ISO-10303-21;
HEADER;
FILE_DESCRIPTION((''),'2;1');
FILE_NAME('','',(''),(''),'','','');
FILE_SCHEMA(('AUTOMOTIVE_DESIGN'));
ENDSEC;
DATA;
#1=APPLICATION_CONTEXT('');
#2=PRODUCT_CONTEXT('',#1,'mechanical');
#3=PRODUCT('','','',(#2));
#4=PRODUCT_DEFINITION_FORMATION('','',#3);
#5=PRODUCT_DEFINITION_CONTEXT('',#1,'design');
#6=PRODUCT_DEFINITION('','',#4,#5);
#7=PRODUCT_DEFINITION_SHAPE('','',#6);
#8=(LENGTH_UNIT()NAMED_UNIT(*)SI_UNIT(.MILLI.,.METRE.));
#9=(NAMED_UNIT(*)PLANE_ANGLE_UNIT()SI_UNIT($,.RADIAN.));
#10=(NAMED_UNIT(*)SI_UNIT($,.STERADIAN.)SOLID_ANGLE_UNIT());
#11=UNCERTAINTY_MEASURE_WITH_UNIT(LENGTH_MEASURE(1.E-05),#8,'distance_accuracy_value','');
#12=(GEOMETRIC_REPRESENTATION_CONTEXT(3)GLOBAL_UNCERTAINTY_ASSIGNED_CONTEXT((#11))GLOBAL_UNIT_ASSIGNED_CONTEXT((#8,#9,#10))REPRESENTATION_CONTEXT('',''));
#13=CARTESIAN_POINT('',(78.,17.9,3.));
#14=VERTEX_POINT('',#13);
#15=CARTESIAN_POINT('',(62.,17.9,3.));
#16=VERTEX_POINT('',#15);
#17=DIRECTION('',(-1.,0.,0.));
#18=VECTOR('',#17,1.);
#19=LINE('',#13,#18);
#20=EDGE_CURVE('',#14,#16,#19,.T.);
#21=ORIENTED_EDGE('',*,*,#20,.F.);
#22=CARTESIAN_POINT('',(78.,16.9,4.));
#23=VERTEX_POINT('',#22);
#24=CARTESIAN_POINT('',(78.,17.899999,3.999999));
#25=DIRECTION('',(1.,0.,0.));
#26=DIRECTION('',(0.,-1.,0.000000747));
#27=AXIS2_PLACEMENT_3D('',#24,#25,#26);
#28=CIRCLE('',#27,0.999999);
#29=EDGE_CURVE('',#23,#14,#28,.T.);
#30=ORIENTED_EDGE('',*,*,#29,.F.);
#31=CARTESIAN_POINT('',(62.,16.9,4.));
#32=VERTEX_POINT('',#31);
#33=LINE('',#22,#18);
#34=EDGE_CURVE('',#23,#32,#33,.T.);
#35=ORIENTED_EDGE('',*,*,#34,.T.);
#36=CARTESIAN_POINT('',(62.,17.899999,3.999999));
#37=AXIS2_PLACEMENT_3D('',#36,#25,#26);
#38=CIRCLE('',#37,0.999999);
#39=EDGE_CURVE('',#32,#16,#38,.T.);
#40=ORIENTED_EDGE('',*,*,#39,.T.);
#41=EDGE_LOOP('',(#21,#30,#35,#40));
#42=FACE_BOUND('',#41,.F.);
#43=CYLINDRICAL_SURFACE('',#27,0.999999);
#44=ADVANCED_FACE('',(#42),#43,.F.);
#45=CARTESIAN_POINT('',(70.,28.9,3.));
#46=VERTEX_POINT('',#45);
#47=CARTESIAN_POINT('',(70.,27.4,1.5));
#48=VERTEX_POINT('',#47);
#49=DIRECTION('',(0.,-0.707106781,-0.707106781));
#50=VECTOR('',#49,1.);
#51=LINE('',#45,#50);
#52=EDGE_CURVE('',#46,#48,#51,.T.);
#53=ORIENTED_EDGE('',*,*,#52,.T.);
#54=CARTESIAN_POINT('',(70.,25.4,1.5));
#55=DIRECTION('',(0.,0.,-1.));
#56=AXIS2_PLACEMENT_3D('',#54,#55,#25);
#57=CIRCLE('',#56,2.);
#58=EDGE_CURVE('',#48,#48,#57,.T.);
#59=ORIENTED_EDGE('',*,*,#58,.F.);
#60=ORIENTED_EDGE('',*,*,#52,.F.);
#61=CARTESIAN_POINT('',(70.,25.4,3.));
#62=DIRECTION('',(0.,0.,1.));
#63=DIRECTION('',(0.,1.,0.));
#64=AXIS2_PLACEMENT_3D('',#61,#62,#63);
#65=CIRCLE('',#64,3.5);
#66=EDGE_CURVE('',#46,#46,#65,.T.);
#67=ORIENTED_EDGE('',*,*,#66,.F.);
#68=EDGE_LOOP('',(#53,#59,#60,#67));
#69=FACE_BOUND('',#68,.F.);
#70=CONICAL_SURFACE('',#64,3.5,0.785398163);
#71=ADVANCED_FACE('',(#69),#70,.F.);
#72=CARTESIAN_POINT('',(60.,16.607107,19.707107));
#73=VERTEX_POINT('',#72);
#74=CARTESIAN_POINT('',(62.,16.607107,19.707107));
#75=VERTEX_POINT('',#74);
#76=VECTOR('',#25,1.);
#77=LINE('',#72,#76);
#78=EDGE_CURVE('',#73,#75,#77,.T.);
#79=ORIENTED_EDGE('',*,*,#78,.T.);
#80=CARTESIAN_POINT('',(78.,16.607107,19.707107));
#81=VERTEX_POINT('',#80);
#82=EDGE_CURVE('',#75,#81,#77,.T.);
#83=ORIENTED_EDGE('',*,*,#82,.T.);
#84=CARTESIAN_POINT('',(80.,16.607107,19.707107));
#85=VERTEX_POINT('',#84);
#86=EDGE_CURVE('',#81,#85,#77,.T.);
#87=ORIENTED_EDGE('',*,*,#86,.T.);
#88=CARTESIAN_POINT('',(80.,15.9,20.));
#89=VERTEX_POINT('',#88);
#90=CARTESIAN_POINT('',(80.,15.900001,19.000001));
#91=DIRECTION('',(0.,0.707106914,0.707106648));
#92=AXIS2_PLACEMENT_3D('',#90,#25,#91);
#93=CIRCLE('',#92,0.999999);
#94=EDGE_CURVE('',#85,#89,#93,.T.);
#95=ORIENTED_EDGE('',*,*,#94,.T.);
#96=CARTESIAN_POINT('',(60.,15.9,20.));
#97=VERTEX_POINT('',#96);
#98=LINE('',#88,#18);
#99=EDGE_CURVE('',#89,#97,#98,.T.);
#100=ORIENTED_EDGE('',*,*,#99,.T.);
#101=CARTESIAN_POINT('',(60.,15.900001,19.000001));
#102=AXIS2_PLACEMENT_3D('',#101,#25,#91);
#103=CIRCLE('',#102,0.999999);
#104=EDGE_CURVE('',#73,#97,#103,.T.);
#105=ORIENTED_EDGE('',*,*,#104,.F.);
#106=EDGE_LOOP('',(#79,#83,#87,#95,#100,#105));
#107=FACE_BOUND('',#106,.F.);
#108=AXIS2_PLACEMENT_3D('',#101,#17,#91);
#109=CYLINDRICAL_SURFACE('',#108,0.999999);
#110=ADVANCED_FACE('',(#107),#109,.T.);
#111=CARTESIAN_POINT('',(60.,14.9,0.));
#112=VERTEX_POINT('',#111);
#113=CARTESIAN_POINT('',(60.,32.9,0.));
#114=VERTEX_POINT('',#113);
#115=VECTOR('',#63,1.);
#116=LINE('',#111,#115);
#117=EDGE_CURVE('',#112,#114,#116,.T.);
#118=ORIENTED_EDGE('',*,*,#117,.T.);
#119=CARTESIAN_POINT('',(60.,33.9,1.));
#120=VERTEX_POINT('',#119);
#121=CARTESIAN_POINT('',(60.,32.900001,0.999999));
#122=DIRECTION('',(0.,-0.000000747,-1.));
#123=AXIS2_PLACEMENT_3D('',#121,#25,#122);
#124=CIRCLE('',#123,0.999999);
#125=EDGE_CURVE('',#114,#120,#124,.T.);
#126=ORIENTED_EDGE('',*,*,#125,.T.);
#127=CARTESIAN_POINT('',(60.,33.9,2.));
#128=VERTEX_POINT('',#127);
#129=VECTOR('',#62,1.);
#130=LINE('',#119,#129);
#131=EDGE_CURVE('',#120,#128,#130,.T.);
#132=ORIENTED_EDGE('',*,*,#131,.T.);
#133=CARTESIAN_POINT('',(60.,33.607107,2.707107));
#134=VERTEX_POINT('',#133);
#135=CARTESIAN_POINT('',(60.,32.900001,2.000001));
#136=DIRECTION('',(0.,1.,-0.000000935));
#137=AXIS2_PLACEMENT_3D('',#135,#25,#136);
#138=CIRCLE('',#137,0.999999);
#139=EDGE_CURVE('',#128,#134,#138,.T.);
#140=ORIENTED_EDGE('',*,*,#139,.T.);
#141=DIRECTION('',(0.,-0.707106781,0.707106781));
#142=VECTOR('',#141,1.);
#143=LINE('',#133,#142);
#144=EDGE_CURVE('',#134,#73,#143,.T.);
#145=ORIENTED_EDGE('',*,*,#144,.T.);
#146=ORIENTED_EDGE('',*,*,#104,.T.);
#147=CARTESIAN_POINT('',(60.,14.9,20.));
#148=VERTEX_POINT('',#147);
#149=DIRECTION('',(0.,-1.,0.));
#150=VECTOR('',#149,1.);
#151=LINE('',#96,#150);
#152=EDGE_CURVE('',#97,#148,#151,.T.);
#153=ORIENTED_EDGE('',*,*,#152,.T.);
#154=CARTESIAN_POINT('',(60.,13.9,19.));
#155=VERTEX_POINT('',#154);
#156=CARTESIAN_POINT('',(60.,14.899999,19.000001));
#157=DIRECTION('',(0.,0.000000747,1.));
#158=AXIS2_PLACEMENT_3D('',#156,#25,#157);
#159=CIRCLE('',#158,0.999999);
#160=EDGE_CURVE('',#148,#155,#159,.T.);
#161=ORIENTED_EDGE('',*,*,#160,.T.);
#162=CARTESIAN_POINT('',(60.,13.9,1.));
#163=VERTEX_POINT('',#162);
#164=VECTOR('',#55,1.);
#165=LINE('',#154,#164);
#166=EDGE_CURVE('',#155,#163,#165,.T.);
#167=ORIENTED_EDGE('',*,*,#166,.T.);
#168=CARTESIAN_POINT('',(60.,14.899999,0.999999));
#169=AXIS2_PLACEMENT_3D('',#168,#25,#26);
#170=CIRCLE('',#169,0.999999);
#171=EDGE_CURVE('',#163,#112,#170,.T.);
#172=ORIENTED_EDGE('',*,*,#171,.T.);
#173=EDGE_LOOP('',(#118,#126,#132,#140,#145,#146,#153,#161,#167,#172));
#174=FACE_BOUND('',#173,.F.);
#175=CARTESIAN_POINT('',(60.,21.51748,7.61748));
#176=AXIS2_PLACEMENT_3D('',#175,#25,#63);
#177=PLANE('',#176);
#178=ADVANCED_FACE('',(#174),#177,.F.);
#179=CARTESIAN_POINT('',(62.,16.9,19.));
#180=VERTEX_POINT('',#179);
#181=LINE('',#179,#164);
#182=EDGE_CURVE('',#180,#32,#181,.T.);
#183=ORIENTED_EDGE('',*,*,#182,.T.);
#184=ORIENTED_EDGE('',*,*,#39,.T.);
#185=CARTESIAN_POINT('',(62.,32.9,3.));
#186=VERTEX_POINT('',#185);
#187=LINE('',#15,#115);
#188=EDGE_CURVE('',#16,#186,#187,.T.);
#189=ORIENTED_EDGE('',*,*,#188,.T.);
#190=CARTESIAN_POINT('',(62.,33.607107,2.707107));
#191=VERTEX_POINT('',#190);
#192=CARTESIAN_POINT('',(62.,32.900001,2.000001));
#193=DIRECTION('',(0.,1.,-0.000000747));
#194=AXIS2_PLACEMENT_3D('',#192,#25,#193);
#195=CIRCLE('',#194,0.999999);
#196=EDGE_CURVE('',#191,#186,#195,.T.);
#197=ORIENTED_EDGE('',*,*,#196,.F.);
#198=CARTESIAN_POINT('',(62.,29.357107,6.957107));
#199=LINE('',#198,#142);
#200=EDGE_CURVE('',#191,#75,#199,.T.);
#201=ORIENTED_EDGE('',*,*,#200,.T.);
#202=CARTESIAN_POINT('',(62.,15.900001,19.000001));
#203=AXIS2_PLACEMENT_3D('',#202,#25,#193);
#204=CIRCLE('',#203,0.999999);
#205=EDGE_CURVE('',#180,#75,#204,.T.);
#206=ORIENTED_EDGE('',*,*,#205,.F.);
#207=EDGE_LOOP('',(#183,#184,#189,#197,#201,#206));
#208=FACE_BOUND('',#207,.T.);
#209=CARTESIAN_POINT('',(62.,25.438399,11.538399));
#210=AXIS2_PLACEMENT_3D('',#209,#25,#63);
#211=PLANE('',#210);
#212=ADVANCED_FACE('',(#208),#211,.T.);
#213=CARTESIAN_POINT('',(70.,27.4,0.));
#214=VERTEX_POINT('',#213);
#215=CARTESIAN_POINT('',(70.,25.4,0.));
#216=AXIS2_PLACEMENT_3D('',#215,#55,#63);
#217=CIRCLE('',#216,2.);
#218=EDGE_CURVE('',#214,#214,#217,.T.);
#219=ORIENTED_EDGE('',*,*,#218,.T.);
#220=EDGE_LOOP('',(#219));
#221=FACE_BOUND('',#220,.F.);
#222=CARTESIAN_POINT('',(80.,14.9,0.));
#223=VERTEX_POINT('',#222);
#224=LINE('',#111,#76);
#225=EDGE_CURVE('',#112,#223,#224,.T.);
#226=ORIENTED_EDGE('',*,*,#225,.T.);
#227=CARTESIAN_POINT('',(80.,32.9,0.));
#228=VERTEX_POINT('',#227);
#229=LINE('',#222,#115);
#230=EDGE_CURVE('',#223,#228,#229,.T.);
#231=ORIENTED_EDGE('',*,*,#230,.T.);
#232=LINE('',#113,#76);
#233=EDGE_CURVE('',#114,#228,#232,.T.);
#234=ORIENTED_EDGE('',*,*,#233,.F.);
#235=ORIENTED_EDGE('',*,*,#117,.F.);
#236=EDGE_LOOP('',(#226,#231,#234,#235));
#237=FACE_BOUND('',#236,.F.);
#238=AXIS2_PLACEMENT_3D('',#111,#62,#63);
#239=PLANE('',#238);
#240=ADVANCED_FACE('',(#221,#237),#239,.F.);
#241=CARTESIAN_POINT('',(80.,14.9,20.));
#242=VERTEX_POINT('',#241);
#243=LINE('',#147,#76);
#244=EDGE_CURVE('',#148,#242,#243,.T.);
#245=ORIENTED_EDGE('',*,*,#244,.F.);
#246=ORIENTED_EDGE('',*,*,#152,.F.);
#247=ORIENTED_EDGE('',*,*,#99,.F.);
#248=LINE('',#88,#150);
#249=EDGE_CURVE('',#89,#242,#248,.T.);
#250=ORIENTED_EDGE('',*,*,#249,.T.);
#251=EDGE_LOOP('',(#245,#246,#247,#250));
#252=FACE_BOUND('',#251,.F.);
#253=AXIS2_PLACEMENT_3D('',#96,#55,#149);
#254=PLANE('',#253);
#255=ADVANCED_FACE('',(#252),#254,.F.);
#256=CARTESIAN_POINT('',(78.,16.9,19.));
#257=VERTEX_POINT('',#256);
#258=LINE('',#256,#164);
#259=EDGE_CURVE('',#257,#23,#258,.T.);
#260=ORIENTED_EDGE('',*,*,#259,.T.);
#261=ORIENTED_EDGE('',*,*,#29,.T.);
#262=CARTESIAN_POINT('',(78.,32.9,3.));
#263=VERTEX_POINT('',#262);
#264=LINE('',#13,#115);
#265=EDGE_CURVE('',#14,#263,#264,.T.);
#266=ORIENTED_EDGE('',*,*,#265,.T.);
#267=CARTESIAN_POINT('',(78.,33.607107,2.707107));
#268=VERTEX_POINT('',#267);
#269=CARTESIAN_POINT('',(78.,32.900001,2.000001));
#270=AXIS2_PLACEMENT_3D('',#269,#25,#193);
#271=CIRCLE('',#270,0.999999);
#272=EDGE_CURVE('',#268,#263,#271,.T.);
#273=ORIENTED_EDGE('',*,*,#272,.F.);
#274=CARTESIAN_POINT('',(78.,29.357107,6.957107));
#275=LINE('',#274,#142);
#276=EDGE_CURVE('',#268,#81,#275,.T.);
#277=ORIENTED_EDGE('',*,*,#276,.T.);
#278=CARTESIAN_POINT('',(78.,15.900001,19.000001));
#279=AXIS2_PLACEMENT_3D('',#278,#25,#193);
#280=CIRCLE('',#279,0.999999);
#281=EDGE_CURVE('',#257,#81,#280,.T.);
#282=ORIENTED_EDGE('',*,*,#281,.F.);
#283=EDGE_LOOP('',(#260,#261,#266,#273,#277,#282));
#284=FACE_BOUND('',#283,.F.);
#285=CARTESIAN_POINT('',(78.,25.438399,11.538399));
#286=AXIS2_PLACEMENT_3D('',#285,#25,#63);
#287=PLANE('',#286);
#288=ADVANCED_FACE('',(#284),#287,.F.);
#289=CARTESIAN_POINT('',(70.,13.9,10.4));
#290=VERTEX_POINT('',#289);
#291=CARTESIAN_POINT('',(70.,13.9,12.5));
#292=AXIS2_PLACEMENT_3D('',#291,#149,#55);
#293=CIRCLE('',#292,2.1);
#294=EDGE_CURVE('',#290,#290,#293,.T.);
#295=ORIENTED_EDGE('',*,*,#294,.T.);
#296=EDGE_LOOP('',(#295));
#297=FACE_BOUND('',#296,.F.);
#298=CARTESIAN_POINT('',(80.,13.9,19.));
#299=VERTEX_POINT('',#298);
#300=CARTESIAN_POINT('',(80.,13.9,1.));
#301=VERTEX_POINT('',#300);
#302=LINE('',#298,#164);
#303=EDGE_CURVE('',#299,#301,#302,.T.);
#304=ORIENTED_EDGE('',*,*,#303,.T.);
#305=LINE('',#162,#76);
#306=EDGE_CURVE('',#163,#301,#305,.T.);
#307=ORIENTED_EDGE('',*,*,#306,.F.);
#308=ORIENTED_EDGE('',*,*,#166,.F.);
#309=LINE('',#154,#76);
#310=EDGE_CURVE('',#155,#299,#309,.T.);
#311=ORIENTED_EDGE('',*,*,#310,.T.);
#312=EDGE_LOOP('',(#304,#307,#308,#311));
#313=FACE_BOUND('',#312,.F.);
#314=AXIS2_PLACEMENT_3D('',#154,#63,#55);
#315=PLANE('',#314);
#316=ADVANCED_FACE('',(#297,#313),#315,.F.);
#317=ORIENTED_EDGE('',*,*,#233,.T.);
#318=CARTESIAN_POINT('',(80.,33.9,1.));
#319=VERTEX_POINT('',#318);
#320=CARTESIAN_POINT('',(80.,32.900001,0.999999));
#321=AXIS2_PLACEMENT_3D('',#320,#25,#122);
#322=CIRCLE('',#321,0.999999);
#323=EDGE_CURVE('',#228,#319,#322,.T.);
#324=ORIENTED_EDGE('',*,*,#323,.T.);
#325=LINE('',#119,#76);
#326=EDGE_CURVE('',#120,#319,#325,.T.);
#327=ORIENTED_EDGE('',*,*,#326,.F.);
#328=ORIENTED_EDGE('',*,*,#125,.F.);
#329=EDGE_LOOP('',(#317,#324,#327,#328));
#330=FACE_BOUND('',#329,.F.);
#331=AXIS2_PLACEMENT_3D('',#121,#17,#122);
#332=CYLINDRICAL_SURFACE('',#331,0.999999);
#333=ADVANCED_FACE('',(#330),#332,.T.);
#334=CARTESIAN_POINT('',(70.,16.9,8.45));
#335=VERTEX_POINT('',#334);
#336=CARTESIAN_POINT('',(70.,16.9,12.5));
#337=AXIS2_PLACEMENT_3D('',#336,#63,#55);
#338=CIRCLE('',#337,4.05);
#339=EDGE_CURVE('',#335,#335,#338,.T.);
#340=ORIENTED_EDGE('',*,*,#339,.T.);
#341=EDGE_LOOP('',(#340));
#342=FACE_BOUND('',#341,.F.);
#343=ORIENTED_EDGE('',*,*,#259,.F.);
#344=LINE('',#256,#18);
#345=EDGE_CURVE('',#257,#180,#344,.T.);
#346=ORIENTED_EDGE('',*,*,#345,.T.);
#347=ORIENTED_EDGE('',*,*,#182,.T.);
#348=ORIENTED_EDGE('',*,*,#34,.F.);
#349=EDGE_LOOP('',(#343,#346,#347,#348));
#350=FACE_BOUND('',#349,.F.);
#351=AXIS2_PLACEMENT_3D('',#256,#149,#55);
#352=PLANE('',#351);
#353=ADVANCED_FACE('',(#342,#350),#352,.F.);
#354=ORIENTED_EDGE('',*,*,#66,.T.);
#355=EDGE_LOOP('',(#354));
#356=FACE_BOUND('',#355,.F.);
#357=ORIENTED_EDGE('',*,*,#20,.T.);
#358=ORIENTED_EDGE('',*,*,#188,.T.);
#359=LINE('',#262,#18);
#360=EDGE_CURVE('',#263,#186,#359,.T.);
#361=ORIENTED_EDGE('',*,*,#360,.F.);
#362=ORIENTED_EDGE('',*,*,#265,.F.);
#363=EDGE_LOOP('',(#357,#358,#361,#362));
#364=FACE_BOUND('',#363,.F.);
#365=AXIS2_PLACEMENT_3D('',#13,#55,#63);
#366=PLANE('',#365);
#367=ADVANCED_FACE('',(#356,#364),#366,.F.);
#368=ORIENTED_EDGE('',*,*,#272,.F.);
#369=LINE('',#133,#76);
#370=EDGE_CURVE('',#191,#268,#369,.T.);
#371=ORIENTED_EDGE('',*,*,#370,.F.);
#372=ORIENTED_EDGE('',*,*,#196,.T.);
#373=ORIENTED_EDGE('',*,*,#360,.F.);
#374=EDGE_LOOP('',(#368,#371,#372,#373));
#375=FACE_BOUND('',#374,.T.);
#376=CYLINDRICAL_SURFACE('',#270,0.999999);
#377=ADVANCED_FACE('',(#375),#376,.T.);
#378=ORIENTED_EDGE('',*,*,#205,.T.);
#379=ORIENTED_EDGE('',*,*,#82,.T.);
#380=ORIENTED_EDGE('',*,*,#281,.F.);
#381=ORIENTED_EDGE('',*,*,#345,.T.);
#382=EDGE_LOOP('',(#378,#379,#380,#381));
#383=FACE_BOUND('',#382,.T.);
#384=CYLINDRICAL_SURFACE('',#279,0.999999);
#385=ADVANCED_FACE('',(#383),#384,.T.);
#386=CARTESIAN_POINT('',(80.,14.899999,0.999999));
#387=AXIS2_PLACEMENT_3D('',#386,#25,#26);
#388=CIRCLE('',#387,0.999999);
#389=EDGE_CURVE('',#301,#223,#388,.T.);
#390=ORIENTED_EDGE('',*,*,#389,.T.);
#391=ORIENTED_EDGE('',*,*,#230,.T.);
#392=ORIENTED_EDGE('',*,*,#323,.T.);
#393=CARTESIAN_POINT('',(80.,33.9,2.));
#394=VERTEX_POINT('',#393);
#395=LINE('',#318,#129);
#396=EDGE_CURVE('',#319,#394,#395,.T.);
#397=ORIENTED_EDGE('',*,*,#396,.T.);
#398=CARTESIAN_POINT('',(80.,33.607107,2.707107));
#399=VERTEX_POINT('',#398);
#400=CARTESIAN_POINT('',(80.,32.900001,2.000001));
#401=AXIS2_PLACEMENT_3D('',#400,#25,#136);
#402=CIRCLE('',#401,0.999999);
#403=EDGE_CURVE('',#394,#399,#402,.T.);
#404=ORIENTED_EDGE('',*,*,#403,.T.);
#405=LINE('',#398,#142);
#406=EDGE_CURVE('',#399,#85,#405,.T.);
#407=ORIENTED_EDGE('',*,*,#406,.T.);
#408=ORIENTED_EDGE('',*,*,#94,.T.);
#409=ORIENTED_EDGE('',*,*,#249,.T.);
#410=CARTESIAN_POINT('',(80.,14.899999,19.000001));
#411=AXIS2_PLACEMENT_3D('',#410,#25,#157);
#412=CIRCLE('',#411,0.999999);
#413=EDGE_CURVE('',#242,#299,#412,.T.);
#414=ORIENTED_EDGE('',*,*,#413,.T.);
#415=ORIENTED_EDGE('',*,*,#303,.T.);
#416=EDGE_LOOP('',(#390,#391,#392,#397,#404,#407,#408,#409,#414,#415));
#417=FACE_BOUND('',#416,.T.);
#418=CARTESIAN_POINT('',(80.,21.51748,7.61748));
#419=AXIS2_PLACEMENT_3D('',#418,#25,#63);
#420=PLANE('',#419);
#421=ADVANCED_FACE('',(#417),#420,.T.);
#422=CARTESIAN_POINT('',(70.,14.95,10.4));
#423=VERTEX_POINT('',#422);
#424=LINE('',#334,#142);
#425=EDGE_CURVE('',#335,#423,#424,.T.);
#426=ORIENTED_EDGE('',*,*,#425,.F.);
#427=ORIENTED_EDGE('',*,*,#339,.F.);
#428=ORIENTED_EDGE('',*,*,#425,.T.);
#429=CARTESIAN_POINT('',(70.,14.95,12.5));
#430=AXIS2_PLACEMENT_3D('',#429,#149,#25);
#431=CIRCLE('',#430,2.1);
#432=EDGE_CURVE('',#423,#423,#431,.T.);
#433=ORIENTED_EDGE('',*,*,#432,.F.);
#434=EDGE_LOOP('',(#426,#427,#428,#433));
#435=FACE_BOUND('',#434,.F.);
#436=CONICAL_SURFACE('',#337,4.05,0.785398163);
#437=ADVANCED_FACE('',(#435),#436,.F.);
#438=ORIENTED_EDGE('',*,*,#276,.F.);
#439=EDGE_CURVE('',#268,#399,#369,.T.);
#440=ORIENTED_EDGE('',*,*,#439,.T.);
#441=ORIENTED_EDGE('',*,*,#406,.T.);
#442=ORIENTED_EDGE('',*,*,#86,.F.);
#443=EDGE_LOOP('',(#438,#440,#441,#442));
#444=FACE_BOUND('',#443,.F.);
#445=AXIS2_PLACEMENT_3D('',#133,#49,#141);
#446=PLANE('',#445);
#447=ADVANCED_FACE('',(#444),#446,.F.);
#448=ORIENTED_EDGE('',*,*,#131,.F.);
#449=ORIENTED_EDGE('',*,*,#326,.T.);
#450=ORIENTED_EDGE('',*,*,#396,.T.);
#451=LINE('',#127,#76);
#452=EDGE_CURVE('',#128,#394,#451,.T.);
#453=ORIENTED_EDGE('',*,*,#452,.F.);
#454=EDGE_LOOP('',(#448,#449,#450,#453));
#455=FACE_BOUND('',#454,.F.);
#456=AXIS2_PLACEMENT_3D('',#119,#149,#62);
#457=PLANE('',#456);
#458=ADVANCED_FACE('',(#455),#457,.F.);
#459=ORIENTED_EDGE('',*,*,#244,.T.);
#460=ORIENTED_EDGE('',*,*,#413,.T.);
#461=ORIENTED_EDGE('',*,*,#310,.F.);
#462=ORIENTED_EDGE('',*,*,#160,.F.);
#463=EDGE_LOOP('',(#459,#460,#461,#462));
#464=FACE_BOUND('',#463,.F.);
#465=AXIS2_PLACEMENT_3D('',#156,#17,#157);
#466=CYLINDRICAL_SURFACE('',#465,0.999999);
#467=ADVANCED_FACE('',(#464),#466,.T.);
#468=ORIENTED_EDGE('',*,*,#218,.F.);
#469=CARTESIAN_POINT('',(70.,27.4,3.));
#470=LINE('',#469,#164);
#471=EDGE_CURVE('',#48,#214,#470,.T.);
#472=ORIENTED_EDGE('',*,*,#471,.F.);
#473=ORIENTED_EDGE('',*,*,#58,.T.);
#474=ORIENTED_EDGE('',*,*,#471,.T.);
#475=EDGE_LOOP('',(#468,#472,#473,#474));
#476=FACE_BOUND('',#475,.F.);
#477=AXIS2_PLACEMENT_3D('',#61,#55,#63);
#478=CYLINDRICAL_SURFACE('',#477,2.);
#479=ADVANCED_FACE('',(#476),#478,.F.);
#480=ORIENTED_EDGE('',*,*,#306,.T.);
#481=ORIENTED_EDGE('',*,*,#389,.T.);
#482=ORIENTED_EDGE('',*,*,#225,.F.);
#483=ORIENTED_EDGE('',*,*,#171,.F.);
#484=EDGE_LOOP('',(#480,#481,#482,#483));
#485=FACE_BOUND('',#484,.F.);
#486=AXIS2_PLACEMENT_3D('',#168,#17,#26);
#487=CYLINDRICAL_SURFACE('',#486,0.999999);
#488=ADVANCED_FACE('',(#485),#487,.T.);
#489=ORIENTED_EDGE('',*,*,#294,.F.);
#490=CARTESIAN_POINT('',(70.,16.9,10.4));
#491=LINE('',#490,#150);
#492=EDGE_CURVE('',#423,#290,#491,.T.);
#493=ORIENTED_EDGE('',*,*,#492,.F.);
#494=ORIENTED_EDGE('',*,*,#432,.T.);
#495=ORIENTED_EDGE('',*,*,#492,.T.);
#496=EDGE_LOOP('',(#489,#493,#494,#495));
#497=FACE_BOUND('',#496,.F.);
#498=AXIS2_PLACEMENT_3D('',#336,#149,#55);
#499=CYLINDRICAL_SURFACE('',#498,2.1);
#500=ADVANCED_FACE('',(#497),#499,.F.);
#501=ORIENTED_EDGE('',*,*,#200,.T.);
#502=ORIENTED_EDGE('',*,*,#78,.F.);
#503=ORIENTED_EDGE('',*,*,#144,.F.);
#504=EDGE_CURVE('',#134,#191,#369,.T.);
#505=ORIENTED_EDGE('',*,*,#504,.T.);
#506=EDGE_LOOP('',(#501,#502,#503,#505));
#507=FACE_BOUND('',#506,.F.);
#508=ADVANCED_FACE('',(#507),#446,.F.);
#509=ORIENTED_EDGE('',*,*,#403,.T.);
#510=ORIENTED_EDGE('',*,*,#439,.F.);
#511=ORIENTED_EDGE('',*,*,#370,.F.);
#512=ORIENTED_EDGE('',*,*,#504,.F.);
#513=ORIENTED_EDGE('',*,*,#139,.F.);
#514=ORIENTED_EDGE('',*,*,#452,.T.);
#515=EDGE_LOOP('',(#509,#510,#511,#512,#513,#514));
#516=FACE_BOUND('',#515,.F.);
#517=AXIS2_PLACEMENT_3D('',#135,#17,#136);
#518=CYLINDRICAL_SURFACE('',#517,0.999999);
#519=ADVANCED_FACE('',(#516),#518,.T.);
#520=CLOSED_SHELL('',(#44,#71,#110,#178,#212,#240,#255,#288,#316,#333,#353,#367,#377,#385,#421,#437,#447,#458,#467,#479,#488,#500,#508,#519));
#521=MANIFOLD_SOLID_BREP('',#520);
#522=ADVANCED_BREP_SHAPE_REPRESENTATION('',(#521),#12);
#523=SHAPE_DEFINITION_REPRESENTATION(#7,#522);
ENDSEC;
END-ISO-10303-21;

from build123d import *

# Parameters (mm, degrees)
PAD_DEPTH            = 20
POCKET_DEPTH         = 16
HOLE_D               = 4
HOLE_CSINK_D         = 7
HOLE_CSINK_ANGLE     = 90
HOLE001_D            = 4.2
HOLE001_DEPTH        = 25
HOLE001_CSINK_D      = 8.1
HOLE001_CSINK_ANGLE  = 90
BODY_PLACEMENT_ANGLE = 90


with BuildPart() as part:
    # Sketch → Pad (new body)
    with BuildSketch(Plane.XZ):
        with BuildLine():
            Line((0, 19), (0, 1))
            ThreePointArc((0, 1), (0.292893, 0.292893), (1, 0))
            Line((1, 0), (19, 0))
            ThreePointArc((19, 0), (19.707107, 0.292893), (20, 1))
            Line((20, 1), (20, 2))
            ThreePointArc((20, 2), (19.92388, 2.382683), (19.707107, 2.707107))
            Line((19.707107, 2.707107), (2.707107, 19.707107))
            ThreePointArc((2.707107, 19.707107), (2.382683, 19.92388), (2, 20))
            Line((2, 20), (1, 20))
            ThreePointArc((1, 20), (0.292893, 19.707107), (0, 19))
        make_face()
    extrude(amount=PAD_DEPTH)

    # Sketch001 (on Face12 of Pad) → Pocket (cut)
    with BuildSketch(Plane.XZ.offset(18)):
        with BuildLine():
            Line((3, 19), (3, 4))
            ThreePointArc((3, 4), (3.292893, 3.292893), (4, 3))
            Line((4, 3), (19, 3))
            ThreePointArc((20, 2), (19.707107, 2.707107), (19, 3))
            Line((20, 20), (20, 2))
            Line((2, 20), (20, 20))
            ThreePointArc((3, 19), (2.707107, 19.707107), (2, 20))
        make_face()
    extrude(amount=-POCKET_DEPTH, mode=Mode.SUBTRACT)

    # Hole (through all)
    with Locations(Plane(origin=(0, 0, 3), x_dir=(-1, 0, 0), z_dir=(0, 0, 1))):
        with Locations((-11.5, 10)):
            CounterSinkHole(HOLE_D / 2, HOLE_CSINK_D / 2, counter_sink_angle=HOLE_CSINK_ANGLE)

    # Hole001
    with Locations(Plane(origin=(3, 0, 0), x_dir=(0, 0, 1), z_dir=(1, 0, 0))):
        with Locations((12.5, 10)):
            CounterSinkHole(HOLE001_D / 2, HOLE001_CSINK_D / 2, depth=HOLE001_DEPTH, counter_sink_angle=HOLE001_CSINK_ANGLE)


with BuildPart() as part_1:
    # Body placement: moved
    add(part.part.moved(Location((60, 13.9, 0))).rotate(Axis((60, 13.9, 0), (0, 0, 1)), BODY_PLACEMENT_ANGLE))


solid = part_1.part
